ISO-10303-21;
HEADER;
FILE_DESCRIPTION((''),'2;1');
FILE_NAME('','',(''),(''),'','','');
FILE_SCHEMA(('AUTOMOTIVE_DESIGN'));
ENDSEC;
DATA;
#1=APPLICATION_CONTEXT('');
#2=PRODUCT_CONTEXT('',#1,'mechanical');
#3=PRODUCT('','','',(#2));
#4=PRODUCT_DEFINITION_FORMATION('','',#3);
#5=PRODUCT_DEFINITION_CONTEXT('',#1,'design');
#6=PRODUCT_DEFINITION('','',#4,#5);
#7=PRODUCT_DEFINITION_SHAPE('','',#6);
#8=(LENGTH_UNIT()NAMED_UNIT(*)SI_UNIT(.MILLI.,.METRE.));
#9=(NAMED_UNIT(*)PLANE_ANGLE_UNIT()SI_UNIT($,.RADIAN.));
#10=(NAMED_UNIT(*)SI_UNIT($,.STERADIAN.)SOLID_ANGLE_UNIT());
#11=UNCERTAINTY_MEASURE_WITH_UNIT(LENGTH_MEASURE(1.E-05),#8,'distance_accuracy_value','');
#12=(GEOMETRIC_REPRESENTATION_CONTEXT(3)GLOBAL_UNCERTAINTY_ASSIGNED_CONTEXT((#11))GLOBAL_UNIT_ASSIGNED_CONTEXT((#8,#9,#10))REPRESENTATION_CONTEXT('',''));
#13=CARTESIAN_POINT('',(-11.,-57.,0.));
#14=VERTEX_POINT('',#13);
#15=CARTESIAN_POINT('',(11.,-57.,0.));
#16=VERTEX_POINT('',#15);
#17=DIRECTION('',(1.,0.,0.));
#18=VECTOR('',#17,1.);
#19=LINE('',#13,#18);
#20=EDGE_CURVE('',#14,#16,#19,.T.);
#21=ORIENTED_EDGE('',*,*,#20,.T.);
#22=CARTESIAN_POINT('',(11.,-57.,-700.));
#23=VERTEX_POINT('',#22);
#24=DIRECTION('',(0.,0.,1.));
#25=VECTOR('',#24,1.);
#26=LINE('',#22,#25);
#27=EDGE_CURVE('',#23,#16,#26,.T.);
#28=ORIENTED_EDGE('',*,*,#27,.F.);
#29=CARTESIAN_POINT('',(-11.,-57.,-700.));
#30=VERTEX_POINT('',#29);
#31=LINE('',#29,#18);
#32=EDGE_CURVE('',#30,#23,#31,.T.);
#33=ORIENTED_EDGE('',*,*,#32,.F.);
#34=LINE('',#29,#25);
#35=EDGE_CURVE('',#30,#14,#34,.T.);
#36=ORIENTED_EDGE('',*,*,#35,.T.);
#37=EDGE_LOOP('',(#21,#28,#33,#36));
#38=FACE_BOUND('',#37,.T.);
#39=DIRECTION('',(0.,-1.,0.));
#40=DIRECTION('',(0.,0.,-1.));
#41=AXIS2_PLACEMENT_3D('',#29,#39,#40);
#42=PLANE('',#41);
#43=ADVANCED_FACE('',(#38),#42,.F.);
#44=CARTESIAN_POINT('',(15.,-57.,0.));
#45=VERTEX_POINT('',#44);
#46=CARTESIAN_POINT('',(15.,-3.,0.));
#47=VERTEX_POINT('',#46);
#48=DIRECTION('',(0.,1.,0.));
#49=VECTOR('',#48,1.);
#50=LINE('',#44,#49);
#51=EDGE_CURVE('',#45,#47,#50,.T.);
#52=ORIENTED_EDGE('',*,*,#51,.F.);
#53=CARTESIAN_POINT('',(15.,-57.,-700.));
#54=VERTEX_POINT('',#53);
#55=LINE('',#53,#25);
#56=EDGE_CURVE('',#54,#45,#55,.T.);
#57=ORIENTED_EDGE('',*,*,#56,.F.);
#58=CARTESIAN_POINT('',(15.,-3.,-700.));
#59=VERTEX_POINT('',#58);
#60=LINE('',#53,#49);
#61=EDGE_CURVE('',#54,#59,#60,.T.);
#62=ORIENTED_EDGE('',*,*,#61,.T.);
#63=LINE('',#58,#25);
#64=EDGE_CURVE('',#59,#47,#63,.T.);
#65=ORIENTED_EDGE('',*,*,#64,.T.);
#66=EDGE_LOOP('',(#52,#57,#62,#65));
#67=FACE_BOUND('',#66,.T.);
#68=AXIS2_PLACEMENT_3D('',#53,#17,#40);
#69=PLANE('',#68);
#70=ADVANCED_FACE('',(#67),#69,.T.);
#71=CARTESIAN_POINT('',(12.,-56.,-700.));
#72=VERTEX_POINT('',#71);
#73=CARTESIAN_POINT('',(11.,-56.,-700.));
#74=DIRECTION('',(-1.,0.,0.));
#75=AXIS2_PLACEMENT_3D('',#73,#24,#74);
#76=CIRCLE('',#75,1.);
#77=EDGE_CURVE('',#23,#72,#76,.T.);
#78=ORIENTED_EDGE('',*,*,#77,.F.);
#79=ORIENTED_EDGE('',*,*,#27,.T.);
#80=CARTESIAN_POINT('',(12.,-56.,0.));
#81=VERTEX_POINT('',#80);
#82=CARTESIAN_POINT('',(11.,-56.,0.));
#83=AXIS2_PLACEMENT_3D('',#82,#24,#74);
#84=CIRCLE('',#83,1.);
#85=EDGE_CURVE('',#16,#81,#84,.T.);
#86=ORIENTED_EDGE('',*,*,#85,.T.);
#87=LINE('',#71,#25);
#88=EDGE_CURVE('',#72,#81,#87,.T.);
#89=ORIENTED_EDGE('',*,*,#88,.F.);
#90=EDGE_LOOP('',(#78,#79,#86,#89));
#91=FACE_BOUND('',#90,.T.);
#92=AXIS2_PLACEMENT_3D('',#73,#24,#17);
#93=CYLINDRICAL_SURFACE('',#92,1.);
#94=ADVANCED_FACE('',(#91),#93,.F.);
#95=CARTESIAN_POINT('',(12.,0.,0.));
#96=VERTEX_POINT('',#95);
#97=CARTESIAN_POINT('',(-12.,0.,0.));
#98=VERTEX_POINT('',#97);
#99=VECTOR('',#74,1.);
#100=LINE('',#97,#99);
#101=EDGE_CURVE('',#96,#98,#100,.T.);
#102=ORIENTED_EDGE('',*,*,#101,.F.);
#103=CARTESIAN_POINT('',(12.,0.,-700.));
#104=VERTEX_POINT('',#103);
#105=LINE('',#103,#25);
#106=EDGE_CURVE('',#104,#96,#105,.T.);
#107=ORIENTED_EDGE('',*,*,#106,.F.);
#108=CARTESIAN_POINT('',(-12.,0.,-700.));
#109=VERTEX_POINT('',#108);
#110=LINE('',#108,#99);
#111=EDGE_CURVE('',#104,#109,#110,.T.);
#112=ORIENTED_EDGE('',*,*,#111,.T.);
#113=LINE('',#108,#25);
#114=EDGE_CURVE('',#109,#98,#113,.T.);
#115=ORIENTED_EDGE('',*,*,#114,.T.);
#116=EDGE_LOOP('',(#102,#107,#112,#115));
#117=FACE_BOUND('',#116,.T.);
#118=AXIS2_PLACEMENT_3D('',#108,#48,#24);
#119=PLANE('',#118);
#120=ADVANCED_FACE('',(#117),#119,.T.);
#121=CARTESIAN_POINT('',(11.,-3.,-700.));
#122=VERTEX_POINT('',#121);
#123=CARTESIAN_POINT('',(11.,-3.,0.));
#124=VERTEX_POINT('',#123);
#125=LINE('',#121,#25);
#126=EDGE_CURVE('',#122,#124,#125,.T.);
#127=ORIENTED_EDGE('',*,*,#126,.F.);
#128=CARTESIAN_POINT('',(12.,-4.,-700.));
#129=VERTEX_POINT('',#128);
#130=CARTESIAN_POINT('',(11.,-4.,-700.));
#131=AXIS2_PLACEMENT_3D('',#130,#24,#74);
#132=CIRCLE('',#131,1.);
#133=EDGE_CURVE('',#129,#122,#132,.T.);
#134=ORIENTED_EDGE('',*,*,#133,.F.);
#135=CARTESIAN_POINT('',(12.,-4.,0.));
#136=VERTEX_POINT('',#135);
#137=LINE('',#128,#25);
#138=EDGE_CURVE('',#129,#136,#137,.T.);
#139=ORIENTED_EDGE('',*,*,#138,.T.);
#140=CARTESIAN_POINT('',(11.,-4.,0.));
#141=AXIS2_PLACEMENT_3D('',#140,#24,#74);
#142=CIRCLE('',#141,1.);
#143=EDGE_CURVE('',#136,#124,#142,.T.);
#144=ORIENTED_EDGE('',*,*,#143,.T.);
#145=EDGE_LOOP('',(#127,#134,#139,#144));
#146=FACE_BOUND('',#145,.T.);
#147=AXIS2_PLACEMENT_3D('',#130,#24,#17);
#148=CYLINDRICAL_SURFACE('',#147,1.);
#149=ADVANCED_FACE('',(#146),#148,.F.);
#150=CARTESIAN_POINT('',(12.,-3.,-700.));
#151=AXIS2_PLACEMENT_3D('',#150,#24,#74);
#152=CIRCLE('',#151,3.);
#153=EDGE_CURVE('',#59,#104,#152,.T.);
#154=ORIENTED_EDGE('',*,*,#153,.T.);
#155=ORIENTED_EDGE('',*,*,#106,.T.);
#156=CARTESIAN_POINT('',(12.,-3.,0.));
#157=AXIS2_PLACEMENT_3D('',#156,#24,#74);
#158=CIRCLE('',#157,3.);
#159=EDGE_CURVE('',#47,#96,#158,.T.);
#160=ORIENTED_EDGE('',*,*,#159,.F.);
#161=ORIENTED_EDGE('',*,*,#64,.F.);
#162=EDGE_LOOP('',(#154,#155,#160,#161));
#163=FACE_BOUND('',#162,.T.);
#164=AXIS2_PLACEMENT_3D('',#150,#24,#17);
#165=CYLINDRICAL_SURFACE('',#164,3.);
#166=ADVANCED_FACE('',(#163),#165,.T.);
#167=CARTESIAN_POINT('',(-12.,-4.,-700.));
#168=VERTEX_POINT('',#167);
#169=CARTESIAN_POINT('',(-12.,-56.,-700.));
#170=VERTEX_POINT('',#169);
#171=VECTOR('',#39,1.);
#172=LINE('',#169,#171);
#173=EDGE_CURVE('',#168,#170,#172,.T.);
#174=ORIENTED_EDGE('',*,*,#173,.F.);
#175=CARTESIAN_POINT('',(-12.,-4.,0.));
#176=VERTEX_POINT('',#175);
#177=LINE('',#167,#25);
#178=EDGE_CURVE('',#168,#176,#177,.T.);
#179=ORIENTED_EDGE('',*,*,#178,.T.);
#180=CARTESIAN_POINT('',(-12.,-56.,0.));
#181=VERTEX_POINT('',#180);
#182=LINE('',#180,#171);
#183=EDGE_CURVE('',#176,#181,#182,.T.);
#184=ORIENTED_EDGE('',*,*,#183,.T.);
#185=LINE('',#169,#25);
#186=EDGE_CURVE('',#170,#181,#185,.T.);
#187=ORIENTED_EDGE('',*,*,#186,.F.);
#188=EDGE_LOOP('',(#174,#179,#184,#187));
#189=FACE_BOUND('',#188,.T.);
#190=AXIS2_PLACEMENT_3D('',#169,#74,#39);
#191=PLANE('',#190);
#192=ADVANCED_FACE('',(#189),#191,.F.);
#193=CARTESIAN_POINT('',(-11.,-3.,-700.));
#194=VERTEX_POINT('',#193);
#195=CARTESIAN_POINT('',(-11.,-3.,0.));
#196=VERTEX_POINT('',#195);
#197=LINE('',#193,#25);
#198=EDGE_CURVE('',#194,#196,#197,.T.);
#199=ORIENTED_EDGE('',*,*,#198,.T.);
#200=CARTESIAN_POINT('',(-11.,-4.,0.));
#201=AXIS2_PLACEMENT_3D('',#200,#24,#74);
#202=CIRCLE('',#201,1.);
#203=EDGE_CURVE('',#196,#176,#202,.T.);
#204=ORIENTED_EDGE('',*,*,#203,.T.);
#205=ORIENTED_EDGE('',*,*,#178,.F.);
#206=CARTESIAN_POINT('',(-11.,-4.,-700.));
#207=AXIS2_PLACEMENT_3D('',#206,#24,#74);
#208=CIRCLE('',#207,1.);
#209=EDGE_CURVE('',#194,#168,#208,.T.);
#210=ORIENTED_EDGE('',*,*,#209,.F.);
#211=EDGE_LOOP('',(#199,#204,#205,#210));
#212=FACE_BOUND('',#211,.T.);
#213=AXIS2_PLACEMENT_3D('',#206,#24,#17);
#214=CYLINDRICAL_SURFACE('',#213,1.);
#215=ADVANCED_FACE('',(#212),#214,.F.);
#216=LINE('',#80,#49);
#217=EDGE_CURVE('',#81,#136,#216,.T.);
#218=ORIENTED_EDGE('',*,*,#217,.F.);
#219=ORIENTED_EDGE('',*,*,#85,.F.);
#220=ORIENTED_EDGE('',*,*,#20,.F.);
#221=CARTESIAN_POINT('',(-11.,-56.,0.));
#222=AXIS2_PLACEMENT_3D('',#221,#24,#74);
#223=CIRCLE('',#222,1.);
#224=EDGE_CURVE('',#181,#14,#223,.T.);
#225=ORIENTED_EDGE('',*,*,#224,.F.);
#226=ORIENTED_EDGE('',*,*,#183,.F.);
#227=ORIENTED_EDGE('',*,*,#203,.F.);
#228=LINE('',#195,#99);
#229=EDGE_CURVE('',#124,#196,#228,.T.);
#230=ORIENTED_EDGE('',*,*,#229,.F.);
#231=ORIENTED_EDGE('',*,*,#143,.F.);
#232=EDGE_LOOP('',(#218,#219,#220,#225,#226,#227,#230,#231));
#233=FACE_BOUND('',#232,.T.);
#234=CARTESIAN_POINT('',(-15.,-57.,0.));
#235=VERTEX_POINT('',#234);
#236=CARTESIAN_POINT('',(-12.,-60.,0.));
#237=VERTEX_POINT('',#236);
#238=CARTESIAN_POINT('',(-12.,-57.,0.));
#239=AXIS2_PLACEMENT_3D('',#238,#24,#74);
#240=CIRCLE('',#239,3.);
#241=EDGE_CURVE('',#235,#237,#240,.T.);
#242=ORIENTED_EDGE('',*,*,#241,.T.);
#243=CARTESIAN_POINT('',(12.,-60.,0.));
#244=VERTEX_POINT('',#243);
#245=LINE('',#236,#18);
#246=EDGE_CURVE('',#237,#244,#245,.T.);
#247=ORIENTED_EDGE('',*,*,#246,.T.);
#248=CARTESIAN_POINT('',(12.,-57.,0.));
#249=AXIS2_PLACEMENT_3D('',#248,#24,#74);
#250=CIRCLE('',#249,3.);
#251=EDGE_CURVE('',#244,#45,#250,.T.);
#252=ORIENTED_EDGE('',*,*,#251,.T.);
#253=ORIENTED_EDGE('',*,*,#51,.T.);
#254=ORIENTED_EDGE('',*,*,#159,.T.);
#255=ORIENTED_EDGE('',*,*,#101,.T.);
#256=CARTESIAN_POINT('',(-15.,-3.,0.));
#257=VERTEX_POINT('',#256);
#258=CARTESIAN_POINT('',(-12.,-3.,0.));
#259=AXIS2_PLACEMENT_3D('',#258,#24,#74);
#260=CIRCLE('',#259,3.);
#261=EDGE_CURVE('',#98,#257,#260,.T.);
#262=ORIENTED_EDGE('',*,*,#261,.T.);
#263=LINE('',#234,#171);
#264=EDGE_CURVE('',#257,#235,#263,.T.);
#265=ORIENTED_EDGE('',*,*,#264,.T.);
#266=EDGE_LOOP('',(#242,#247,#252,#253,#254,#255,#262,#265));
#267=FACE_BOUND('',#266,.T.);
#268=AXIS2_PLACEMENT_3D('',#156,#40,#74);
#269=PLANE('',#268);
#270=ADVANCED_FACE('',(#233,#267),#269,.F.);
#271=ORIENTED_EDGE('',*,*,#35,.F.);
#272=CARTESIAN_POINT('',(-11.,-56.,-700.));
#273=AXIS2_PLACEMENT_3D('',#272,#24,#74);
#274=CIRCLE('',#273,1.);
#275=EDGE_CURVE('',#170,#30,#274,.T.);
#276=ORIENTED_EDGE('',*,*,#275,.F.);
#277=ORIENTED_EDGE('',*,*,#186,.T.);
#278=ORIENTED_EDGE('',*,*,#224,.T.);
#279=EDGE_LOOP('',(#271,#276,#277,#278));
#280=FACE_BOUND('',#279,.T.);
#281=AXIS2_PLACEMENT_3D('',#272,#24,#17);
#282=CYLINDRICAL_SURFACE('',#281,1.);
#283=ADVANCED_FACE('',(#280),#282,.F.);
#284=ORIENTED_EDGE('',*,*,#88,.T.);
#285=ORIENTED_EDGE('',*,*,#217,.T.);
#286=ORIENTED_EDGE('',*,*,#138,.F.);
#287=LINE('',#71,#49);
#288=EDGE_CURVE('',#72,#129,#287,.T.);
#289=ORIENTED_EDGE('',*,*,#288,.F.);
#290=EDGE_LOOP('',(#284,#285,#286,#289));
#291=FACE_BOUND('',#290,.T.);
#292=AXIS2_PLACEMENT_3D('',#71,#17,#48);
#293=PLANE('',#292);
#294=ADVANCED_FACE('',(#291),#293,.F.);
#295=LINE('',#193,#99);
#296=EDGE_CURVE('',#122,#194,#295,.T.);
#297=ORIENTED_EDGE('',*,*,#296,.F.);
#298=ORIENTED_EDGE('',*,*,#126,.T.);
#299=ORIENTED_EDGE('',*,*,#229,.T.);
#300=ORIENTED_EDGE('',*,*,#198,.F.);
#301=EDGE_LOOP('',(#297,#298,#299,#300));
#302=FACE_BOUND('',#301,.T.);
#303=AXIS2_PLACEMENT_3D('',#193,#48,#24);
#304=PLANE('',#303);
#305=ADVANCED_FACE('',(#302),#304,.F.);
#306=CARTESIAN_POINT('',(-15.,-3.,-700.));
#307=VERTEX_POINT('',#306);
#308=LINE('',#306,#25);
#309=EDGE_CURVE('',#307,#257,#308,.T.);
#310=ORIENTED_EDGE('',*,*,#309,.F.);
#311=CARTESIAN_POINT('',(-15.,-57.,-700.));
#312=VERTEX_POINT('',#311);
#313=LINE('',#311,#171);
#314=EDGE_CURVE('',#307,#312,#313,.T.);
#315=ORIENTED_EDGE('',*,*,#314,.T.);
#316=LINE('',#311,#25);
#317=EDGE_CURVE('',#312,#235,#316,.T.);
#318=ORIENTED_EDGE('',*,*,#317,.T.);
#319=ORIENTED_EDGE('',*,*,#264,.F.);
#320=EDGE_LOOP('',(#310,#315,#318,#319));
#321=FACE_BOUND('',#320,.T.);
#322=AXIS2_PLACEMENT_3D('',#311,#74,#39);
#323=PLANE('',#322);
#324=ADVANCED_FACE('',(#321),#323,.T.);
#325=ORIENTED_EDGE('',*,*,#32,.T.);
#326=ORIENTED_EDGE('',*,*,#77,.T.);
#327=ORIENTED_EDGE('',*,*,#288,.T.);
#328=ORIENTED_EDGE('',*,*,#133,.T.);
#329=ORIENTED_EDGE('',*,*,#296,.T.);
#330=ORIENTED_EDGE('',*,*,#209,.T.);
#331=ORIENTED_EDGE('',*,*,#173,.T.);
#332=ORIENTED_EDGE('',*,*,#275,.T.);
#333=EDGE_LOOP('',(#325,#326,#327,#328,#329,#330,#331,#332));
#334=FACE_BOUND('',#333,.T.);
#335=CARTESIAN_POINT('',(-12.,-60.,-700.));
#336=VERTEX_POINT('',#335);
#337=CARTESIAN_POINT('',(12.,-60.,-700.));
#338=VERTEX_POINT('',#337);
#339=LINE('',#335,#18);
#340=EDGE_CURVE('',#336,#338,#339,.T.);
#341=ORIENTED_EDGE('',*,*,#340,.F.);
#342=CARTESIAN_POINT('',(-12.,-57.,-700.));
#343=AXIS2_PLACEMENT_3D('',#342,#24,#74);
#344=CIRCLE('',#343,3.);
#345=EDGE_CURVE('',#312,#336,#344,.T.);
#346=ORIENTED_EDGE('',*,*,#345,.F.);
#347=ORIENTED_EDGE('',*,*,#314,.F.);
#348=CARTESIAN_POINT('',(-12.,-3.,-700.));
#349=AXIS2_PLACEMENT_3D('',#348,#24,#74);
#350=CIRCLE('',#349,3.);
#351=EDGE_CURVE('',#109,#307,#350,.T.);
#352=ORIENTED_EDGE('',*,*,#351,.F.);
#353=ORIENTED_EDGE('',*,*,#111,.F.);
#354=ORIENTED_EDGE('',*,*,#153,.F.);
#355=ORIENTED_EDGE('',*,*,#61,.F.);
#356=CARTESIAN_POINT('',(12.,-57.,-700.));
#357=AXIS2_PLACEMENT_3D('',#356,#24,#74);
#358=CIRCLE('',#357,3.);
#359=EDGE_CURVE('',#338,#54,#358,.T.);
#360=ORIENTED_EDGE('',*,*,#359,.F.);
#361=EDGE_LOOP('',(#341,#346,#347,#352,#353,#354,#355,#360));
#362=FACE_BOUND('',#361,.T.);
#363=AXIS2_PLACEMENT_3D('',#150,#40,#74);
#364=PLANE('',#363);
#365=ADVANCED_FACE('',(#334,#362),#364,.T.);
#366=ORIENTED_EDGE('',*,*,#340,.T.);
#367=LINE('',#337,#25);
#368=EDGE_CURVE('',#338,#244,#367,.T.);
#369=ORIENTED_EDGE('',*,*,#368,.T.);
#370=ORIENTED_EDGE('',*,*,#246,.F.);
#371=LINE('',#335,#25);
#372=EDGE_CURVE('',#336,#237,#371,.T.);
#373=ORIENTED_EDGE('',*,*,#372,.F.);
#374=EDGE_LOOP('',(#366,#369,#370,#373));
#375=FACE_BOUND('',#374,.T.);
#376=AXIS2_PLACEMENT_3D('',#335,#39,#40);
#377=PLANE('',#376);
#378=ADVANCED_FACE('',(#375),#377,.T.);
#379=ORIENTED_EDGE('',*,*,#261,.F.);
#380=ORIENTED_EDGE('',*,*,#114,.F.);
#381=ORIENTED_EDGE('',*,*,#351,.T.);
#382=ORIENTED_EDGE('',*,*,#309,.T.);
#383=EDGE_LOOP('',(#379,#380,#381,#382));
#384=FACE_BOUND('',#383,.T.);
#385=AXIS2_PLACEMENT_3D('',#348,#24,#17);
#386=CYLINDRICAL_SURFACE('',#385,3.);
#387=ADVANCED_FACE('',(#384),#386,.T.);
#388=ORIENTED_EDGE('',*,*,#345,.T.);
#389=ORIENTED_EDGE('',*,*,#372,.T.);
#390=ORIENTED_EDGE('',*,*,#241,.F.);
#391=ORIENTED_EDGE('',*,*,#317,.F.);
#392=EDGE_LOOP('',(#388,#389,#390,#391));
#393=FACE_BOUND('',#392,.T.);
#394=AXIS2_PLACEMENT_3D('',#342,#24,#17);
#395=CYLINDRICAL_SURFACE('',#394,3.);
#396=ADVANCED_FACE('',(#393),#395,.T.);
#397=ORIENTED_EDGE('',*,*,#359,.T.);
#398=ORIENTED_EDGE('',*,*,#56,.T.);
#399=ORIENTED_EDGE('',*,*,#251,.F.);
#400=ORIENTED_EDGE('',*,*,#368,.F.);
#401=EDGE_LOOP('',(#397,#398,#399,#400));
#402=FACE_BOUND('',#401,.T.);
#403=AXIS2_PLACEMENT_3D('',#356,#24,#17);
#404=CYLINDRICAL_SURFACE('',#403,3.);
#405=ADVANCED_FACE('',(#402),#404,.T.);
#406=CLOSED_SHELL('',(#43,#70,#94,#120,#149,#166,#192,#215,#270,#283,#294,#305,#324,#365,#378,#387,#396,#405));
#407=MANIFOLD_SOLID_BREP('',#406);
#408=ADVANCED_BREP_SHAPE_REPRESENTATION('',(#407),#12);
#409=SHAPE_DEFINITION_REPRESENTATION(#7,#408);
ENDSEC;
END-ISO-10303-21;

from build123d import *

# Parameters (mm, degrees)
DODANIE_WYCI_GNI_CIE1_DEPTH = 700


with BuildPart() as part:
    # Szkic1 → Dodanie-wyciągnięcie1 (new body)
    with BuildSketch(Plane.XY):
        with BuildLine():
            Line((-12, -60), (12, -60))
            ThreePointArc((12, -60), (14.121320344, -59.121320344), (15, -57))
            Line((15, -57), (15, -3))
            ThreePointArc((15, -3), (14.121320344, -0.878679656), (12, 0))
            Line((12, 0), (-12, 0))
            ThreePointArc((-12, 0), (-14.121320344, -0.878679656), (-15, -3))
            Line((-15, -3), (-15, -57))
            ThreePointArc((-15, -57), (-14.121320344, -59.121320344), (-12, -60))
        make_face()
        with BuildLine():
            Line((-11, -3), (11, -3))
            ThreePointArc((11, -3), (11.707106781, -3.292893219), (12, -4))
            Line((12, -4), (12, -56))
            ThreePointArc((12, -56), (11.707106781, -56.707106781), (11, -57))
            Line((11, -57), (-11, -57))
            ThreePointArc((-11, -57), (-11.707106781, -56.707106781), (-12, -56))
            Line((-12, -56), (-12, -4))
            ThreePointArc((-12, -4), (-11.707106781, -3.292893219), (-11, -3))
        make_face(mode=Mode.SUBTRACT)
    extrude(amount=-DODANIE_WYCI_GNI_CIE1_DEPTH)


solid = part.part
